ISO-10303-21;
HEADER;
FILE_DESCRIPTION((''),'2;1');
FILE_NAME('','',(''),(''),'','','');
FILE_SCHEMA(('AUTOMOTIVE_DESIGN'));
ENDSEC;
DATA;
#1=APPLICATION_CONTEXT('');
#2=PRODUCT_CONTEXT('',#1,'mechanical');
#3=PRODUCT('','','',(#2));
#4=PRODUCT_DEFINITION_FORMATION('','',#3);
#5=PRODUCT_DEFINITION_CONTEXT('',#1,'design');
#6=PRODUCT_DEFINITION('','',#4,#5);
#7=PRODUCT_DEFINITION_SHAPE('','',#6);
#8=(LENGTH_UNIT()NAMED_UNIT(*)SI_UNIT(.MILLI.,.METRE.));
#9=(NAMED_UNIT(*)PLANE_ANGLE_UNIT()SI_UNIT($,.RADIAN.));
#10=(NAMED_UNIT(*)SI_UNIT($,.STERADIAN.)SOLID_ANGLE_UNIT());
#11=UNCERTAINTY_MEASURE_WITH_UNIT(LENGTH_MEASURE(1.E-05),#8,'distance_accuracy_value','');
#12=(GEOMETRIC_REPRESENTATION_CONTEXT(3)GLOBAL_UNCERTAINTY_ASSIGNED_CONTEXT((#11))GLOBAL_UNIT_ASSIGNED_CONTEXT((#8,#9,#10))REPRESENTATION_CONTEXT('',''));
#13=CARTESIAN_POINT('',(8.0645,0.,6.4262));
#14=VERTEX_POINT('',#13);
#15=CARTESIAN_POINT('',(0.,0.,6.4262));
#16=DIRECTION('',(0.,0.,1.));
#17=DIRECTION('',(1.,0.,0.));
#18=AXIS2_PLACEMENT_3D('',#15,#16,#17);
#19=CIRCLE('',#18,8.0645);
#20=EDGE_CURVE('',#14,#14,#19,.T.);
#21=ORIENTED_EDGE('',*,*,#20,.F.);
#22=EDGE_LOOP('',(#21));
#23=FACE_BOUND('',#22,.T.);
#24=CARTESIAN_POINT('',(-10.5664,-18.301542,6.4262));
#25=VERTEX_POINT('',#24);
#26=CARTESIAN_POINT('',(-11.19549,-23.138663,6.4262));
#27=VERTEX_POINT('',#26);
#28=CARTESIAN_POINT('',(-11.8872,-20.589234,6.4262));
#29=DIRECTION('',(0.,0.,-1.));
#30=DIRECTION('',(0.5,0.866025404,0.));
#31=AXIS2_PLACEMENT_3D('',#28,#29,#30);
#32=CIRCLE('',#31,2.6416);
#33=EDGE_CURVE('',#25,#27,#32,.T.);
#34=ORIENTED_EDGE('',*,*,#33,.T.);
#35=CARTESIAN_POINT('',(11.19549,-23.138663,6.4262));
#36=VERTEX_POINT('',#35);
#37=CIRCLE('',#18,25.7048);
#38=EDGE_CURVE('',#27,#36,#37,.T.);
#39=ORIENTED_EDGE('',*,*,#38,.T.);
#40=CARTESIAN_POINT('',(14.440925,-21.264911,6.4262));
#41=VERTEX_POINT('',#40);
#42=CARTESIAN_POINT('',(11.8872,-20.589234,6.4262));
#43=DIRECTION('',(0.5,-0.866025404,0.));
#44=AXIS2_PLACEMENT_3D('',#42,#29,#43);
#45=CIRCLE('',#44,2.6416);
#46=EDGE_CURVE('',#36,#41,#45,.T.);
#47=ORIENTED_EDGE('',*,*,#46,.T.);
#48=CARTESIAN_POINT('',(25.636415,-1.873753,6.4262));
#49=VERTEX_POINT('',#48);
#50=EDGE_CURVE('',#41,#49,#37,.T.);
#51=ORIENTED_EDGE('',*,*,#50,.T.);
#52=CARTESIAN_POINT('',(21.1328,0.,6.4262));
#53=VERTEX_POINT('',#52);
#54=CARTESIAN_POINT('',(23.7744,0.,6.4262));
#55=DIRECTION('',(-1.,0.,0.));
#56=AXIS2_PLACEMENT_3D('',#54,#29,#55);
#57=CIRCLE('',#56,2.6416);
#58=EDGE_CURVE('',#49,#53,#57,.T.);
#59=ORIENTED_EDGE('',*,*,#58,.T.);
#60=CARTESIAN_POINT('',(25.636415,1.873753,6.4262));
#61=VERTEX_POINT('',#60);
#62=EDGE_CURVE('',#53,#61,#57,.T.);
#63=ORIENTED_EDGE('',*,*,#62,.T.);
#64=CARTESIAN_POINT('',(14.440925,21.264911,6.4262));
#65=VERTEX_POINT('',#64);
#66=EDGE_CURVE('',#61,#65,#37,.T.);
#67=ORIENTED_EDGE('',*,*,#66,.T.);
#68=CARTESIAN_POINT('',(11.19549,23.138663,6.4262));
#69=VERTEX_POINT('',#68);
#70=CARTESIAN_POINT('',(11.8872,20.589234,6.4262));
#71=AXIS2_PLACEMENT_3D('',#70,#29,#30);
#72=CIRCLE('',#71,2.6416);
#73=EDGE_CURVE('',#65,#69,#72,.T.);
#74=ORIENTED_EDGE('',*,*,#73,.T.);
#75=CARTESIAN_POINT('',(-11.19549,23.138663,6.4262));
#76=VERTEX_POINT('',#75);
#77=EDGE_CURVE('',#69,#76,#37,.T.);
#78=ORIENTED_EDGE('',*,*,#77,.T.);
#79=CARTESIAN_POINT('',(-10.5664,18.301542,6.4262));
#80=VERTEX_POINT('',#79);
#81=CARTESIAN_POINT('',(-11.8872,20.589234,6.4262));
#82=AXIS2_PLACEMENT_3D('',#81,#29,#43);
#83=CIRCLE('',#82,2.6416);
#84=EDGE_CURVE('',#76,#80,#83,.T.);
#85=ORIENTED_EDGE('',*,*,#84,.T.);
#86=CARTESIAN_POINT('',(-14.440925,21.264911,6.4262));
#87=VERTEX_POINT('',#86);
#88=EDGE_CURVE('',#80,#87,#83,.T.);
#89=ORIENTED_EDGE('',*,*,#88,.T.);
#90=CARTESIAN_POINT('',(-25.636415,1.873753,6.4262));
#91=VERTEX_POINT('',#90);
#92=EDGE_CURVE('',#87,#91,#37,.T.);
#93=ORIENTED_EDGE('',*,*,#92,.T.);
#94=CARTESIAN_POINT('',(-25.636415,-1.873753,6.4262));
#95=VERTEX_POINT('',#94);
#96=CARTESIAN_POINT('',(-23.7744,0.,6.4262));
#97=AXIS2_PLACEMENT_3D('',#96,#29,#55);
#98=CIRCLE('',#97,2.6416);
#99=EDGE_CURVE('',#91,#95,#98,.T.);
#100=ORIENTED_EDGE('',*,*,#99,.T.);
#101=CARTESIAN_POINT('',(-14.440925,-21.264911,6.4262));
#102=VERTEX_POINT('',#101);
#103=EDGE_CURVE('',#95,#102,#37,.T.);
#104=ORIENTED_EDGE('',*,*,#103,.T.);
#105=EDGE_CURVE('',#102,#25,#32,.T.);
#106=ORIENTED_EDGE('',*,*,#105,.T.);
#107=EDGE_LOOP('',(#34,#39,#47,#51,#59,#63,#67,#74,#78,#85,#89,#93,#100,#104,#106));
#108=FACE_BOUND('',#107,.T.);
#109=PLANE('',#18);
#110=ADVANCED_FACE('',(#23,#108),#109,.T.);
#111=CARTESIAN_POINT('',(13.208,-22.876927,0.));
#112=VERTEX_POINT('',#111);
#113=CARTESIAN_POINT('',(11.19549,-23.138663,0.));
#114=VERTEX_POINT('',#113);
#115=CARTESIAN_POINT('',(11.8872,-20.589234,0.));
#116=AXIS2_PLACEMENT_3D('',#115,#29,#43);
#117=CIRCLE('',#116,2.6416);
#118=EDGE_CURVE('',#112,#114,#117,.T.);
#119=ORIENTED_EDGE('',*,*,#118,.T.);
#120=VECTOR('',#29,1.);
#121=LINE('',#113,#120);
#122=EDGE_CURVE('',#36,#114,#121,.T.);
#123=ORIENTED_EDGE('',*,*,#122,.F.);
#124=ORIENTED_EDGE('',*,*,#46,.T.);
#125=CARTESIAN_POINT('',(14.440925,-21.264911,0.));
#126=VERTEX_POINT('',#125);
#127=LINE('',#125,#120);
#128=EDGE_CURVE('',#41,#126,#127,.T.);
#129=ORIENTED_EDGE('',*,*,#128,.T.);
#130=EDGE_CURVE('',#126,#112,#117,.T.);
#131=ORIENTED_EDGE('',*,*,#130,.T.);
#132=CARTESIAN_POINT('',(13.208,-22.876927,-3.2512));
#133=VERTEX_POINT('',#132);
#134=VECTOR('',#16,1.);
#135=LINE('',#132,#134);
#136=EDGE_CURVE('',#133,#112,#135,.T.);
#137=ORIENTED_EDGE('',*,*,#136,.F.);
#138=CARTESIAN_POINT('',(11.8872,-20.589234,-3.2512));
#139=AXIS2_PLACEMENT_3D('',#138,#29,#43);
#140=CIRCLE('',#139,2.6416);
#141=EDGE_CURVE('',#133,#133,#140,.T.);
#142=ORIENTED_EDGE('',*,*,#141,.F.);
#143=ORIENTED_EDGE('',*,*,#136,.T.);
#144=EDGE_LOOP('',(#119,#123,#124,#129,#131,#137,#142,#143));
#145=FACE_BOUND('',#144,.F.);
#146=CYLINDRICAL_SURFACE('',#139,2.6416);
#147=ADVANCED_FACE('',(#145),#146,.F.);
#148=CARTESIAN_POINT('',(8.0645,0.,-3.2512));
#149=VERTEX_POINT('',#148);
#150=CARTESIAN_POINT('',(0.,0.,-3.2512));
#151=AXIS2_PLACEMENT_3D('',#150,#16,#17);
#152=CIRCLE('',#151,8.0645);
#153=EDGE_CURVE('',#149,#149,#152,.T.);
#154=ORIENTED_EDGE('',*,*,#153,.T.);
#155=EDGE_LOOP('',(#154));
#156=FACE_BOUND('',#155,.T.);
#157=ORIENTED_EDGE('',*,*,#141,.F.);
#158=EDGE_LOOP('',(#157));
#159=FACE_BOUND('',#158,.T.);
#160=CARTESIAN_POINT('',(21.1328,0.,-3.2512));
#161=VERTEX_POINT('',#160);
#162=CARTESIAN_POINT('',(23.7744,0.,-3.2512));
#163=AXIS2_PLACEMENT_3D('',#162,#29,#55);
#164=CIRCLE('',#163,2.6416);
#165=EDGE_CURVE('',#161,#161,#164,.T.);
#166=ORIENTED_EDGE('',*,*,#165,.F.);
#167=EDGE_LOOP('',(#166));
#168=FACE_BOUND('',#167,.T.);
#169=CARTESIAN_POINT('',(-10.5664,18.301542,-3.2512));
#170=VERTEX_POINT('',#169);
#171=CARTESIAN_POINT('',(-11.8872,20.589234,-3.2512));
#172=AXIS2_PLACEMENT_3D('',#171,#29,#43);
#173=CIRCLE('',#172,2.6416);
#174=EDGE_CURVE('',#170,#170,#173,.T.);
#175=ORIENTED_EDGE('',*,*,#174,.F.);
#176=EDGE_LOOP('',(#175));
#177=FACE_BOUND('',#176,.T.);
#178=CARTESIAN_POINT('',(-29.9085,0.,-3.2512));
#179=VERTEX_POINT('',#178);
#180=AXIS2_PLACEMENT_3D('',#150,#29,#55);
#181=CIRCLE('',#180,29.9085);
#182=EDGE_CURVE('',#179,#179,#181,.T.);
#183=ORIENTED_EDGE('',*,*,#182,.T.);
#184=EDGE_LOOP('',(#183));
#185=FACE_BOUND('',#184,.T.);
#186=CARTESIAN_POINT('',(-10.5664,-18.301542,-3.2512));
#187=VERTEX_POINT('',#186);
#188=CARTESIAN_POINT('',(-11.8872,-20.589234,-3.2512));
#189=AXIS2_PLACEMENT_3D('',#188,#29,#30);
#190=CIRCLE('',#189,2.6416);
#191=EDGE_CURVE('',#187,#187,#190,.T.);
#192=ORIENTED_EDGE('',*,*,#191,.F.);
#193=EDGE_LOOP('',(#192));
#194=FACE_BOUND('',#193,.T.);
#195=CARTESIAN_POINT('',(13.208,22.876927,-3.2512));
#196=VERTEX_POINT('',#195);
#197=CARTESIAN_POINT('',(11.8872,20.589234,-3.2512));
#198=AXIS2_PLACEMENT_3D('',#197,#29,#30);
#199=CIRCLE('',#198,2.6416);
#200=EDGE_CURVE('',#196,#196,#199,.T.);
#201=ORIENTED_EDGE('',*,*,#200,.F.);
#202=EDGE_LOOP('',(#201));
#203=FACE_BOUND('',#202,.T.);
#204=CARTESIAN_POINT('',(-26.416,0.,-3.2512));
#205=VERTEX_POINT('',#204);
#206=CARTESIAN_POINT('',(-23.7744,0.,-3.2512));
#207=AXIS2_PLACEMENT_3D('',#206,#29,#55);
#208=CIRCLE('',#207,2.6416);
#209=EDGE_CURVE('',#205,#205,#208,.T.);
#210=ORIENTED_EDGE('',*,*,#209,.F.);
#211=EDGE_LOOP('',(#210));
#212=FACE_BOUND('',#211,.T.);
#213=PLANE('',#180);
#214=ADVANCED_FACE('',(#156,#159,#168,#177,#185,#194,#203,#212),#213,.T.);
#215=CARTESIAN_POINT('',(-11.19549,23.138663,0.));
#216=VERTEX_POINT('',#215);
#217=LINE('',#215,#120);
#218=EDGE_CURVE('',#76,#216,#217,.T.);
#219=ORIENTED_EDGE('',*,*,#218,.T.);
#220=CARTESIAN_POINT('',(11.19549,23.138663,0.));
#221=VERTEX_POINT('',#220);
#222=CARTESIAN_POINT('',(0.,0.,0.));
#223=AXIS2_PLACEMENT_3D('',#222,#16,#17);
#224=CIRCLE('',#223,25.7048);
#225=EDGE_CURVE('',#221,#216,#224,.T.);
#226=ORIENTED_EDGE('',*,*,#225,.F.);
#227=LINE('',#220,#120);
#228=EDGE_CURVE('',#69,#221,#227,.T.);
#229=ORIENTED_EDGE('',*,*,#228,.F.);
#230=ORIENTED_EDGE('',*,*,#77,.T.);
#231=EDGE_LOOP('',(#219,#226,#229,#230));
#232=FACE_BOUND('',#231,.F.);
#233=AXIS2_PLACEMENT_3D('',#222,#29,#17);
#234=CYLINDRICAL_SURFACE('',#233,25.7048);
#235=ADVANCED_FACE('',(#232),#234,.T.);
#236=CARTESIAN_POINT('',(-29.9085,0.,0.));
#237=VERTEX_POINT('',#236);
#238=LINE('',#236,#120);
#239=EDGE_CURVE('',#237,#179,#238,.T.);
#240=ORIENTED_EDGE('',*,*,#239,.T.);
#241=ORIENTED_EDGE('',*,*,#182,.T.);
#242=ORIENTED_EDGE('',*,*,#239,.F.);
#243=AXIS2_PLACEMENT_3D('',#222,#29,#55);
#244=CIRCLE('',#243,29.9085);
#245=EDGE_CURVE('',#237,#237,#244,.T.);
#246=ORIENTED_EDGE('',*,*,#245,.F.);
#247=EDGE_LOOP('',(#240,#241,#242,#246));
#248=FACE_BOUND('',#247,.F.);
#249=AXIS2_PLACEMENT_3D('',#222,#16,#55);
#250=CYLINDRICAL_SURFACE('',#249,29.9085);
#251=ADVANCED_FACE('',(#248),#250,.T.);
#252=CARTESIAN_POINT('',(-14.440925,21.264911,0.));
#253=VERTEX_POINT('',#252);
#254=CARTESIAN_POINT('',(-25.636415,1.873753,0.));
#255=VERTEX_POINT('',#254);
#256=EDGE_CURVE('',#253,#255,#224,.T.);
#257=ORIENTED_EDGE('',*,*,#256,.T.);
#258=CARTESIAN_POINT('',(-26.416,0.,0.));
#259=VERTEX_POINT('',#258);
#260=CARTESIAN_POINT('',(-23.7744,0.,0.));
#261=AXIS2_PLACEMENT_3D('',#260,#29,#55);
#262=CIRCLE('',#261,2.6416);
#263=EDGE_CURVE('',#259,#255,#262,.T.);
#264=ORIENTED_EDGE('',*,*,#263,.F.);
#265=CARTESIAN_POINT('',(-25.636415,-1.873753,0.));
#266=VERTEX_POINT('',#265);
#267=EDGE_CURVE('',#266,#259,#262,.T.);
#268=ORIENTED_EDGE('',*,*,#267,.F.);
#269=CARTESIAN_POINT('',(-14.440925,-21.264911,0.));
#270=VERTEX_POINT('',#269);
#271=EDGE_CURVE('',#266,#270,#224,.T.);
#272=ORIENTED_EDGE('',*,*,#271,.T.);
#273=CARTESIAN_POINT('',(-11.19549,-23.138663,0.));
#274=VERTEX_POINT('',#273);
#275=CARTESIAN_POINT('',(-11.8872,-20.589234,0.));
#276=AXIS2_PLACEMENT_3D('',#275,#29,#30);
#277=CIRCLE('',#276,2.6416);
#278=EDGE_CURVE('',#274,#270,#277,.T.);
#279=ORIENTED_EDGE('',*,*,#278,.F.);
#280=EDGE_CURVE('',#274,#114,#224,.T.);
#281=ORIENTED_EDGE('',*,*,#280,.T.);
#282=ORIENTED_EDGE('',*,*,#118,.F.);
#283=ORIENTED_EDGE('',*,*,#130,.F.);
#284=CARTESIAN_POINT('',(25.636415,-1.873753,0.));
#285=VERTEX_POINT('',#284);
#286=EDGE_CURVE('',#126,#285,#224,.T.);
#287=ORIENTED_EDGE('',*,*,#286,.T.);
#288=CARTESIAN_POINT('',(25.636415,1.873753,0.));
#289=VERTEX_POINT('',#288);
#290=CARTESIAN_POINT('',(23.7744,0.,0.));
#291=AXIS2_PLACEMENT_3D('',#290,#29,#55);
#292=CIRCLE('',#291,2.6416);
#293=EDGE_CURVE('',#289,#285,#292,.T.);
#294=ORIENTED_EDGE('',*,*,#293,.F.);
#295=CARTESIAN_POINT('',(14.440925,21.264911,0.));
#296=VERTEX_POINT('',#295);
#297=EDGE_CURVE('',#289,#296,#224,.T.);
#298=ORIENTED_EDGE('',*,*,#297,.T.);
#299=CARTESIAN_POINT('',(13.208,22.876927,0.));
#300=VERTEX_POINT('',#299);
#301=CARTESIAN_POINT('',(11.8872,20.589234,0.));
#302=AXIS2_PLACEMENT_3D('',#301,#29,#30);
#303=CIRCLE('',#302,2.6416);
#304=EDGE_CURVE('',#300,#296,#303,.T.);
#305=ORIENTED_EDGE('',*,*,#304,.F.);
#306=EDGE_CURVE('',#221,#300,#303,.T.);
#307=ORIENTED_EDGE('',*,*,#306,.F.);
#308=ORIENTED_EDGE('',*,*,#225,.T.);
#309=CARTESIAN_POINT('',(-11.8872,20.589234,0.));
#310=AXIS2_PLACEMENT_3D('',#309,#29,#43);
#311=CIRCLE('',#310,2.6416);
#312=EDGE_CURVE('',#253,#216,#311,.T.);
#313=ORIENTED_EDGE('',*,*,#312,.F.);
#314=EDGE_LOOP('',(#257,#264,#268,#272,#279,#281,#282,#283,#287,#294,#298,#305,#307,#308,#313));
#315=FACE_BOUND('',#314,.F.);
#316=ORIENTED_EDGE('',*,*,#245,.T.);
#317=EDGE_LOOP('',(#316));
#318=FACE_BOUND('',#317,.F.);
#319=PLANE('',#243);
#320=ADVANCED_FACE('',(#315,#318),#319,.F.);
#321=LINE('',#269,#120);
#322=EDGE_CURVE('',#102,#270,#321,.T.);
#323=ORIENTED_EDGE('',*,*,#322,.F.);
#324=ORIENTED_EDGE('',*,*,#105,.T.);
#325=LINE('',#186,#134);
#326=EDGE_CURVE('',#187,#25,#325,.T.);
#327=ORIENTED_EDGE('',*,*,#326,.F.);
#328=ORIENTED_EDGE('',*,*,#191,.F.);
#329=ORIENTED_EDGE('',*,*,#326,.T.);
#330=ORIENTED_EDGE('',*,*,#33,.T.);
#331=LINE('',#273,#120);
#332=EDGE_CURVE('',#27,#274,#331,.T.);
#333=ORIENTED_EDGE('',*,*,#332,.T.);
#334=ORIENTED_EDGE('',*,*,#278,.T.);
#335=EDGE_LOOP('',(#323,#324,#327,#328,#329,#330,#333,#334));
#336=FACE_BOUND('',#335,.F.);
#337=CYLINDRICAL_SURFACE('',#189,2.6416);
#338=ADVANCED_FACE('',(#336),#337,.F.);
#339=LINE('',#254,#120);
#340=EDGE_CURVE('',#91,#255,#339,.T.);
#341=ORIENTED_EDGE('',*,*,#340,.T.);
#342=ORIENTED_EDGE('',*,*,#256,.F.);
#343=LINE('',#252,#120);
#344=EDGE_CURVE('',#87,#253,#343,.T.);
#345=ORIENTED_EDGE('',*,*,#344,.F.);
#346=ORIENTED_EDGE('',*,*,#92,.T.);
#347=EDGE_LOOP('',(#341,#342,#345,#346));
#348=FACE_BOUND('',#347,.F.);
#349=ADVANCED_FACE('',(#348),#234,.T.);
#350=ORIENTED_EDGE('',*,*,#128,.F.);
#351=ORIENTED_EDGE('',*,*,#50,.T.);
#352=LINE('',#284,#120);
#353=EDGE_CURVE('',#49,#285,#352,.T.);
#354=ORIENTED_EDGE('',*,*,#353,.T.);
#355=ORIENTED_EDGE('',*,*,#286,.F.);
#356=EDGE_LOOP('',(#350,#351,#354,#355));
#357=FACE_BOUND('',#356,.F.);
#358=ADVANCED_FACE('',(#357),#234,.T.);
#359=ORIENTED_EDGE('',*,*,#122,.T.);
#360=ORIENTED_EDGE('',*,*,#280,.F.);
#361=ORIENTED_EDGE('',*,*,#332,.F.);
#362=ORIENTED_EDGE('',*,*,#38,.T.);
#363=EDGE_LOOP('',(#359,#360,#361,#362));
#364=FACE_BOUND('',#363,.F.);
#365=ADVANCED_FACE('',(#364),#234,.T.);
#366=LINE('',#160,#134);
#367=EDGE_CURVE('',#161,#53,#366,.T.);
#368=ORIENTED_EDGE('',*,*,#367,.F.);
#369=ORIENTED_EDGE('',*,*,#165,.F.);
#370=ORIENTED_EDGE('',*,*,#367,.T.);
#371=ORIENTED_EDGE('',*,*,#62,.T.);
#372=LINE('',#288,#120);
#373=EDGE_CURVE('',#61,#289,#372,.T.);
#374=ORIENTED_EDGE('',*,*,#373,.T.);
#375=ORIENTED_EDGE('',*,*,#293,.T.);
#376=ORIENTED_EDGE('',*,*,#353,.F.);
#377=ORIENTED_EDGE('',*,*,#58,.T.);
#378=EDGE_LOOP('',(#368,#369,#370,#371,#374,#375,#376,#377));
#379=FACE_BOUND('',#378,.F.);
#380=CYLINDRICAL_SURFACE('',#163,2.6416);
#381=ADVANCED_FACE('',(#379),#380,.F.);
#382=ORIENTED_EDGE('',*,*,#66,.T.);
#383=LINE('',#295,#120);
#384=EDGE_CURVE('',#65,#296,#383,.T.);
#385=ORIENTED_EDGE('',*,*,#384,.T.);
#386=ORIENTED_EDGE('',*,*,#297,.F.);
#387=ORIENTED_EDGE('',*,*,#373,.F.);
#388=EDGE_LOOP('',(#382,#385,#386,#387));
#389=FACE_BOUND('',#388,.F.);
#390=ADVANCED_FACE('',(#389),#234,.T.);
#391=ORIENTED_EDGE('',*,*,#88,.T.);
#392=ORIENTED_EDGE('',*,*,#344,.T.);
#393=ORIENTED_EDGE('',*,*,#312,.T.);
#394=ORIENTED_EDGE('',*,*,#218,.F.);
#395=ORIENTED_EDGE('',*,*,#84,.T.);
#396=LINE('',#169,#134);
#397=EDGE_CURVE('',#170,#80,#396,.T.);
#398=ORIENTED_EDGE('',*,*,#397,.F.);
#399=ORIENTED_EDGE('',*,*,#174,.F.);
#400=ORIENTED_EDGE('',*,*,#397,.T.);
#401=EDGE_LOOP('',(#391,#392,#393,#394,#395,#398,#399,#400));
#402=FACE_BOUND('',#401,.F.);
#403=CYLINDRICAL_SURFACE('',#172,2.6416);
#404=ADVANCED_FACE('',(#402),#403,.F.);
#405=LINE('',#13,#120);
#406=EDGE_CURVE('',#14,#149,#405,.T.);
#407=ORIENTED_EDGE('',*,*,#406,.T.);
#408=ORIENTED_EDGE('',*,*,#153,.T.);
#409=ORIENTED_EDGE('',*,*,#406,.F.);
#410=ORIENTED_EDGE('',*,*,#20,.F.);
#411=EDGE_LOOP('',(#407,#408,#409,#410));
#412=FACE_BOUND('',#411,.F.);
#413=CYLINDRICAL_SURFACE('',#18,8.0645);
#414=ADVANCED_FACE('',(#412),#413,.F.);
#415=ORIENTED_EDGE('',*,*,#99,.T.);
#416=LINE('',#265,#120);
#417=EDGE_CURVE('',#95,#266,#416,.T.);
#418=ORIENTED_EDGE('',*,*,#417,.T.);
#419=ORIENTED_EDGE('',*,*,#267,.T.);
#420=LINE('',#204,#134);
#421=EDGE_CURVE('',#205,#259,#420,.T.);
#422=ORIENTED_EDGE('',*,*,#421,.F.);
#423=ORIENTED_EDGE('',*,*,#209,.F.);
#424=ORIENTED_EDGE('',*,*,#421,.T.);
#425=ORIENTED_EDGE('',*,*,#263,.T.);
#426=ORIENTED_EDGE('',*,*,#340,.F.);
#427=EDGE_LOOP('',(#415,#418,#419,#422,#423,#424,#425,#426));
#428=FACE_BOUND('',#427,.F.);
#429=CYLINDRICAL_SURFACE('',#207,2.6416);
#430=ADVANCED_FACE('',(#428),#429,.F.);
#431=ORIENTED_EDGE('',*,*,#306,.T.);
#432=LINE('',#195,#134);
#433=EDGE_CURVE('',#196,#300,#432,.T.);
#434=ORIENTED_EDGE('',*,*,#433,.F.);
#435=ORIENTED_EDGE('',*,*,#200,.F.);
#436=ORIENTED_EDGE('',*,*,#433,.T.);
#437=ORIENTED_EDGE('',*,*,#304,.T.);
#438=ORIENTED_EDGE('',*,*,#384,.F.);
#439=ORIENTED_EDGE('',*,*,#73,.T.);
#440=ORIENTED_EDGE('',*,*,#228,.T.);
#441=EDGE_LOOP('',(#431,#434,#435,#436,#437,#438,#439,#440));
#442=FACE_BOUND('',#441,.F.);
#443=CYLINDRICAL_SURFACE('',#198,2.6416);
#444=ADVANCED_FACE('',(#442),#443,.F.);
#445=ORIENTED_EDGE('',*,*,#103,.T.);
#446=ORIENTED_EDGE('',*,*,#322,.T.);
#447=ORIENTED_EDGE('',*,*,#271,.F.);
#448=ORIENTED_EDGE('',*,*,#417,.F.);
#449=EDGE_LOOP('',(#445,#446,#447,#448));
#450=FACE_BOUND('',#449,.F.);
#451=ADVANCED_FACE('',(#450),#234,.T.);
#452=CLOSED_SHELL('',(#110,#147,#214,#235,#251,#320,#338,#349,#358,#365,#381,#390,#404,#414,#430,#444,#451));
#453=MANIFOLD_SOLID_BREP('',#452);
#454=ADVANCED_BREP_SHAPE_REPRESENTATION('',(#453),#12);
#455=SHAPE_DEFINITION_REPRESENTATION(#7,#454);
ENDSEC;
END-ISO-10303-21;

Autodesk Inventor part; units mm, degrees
ref_plane "YZ Plane" through (0, 0, 0) normal (1, 0, 0) x (0, 1, 0)
ref_plane "XZ Plane" through (0, 0, 0) normal (0, 1, 0) x (-1, 0, 0)
ref_plane "XY Plane" through (0, 0, 0) normal (0, 0, 1) x (1, 0, 0)
sketch "Sketch1" plane through (0, 0, 0) normal (0, 0, 1) x (1, 0, 0)
  circle A0 centre (0, 0) radius 25.7048
  dimension "d0" = 51.4096
extrude "Extrusion1" add sketch "Sketch1" along normal blind 6.4262
sketch "Sketch2" plane through (0, 0, 6.4262) normal (0, 0, 1) x (1, 0, 0)
  circle A0 centre (0, 0) radius 8.0645
  dimension "d3" = 16.129
extrude "Extrusion2" cut sketch "Sketch2" against normal blind 127
sketch "Sketch3" plane through (0, 0, 0) normal (0, 0, -1) x (-1, 0, 0)
  circle A0 centre (0, 0) radius 29.9085
  dimension "d6" = 59.817
extrude "Extrusion3" add sketch "Sketch3" along normal blind 3.2512
sketch "Sketch4" plane through (0, 0, 6.4262) normal (0, 0, 1) x (1, 0, 0)
  circle A0 centre (0, 0) radius 8.0645
extrude "Extrusion4" cut sketch "Sketch4" against normal blind 127
sketch "Sketch5" plane through (0, 0, -3.2512) normal (0, 0, -1) x (-1, 0, 0)
  circle A0 centre (23.7744, 0) radius 2.6416
  circle A1 centre (-23.7744, 0) radius 2.6416
  circle A2 centre (0, 0) radius 29.9085 projected
  circle A3 centre (0, 0) radius 8.0645 projected
  line L0 (0, 8.0645) -> (0, -8.0645) construction
  dimension "d11" = 5.2832
  dimension "d12" = 42.2656
extrude "Extrusion5" cut sketch "Sketch5" against normal through all contours A0 | A1
pattern_circular "Circular Pattern1" count 3 over 360 about axis through (0, 0, 6.4262) along (0, 0, -1) of "Extrusion5"
